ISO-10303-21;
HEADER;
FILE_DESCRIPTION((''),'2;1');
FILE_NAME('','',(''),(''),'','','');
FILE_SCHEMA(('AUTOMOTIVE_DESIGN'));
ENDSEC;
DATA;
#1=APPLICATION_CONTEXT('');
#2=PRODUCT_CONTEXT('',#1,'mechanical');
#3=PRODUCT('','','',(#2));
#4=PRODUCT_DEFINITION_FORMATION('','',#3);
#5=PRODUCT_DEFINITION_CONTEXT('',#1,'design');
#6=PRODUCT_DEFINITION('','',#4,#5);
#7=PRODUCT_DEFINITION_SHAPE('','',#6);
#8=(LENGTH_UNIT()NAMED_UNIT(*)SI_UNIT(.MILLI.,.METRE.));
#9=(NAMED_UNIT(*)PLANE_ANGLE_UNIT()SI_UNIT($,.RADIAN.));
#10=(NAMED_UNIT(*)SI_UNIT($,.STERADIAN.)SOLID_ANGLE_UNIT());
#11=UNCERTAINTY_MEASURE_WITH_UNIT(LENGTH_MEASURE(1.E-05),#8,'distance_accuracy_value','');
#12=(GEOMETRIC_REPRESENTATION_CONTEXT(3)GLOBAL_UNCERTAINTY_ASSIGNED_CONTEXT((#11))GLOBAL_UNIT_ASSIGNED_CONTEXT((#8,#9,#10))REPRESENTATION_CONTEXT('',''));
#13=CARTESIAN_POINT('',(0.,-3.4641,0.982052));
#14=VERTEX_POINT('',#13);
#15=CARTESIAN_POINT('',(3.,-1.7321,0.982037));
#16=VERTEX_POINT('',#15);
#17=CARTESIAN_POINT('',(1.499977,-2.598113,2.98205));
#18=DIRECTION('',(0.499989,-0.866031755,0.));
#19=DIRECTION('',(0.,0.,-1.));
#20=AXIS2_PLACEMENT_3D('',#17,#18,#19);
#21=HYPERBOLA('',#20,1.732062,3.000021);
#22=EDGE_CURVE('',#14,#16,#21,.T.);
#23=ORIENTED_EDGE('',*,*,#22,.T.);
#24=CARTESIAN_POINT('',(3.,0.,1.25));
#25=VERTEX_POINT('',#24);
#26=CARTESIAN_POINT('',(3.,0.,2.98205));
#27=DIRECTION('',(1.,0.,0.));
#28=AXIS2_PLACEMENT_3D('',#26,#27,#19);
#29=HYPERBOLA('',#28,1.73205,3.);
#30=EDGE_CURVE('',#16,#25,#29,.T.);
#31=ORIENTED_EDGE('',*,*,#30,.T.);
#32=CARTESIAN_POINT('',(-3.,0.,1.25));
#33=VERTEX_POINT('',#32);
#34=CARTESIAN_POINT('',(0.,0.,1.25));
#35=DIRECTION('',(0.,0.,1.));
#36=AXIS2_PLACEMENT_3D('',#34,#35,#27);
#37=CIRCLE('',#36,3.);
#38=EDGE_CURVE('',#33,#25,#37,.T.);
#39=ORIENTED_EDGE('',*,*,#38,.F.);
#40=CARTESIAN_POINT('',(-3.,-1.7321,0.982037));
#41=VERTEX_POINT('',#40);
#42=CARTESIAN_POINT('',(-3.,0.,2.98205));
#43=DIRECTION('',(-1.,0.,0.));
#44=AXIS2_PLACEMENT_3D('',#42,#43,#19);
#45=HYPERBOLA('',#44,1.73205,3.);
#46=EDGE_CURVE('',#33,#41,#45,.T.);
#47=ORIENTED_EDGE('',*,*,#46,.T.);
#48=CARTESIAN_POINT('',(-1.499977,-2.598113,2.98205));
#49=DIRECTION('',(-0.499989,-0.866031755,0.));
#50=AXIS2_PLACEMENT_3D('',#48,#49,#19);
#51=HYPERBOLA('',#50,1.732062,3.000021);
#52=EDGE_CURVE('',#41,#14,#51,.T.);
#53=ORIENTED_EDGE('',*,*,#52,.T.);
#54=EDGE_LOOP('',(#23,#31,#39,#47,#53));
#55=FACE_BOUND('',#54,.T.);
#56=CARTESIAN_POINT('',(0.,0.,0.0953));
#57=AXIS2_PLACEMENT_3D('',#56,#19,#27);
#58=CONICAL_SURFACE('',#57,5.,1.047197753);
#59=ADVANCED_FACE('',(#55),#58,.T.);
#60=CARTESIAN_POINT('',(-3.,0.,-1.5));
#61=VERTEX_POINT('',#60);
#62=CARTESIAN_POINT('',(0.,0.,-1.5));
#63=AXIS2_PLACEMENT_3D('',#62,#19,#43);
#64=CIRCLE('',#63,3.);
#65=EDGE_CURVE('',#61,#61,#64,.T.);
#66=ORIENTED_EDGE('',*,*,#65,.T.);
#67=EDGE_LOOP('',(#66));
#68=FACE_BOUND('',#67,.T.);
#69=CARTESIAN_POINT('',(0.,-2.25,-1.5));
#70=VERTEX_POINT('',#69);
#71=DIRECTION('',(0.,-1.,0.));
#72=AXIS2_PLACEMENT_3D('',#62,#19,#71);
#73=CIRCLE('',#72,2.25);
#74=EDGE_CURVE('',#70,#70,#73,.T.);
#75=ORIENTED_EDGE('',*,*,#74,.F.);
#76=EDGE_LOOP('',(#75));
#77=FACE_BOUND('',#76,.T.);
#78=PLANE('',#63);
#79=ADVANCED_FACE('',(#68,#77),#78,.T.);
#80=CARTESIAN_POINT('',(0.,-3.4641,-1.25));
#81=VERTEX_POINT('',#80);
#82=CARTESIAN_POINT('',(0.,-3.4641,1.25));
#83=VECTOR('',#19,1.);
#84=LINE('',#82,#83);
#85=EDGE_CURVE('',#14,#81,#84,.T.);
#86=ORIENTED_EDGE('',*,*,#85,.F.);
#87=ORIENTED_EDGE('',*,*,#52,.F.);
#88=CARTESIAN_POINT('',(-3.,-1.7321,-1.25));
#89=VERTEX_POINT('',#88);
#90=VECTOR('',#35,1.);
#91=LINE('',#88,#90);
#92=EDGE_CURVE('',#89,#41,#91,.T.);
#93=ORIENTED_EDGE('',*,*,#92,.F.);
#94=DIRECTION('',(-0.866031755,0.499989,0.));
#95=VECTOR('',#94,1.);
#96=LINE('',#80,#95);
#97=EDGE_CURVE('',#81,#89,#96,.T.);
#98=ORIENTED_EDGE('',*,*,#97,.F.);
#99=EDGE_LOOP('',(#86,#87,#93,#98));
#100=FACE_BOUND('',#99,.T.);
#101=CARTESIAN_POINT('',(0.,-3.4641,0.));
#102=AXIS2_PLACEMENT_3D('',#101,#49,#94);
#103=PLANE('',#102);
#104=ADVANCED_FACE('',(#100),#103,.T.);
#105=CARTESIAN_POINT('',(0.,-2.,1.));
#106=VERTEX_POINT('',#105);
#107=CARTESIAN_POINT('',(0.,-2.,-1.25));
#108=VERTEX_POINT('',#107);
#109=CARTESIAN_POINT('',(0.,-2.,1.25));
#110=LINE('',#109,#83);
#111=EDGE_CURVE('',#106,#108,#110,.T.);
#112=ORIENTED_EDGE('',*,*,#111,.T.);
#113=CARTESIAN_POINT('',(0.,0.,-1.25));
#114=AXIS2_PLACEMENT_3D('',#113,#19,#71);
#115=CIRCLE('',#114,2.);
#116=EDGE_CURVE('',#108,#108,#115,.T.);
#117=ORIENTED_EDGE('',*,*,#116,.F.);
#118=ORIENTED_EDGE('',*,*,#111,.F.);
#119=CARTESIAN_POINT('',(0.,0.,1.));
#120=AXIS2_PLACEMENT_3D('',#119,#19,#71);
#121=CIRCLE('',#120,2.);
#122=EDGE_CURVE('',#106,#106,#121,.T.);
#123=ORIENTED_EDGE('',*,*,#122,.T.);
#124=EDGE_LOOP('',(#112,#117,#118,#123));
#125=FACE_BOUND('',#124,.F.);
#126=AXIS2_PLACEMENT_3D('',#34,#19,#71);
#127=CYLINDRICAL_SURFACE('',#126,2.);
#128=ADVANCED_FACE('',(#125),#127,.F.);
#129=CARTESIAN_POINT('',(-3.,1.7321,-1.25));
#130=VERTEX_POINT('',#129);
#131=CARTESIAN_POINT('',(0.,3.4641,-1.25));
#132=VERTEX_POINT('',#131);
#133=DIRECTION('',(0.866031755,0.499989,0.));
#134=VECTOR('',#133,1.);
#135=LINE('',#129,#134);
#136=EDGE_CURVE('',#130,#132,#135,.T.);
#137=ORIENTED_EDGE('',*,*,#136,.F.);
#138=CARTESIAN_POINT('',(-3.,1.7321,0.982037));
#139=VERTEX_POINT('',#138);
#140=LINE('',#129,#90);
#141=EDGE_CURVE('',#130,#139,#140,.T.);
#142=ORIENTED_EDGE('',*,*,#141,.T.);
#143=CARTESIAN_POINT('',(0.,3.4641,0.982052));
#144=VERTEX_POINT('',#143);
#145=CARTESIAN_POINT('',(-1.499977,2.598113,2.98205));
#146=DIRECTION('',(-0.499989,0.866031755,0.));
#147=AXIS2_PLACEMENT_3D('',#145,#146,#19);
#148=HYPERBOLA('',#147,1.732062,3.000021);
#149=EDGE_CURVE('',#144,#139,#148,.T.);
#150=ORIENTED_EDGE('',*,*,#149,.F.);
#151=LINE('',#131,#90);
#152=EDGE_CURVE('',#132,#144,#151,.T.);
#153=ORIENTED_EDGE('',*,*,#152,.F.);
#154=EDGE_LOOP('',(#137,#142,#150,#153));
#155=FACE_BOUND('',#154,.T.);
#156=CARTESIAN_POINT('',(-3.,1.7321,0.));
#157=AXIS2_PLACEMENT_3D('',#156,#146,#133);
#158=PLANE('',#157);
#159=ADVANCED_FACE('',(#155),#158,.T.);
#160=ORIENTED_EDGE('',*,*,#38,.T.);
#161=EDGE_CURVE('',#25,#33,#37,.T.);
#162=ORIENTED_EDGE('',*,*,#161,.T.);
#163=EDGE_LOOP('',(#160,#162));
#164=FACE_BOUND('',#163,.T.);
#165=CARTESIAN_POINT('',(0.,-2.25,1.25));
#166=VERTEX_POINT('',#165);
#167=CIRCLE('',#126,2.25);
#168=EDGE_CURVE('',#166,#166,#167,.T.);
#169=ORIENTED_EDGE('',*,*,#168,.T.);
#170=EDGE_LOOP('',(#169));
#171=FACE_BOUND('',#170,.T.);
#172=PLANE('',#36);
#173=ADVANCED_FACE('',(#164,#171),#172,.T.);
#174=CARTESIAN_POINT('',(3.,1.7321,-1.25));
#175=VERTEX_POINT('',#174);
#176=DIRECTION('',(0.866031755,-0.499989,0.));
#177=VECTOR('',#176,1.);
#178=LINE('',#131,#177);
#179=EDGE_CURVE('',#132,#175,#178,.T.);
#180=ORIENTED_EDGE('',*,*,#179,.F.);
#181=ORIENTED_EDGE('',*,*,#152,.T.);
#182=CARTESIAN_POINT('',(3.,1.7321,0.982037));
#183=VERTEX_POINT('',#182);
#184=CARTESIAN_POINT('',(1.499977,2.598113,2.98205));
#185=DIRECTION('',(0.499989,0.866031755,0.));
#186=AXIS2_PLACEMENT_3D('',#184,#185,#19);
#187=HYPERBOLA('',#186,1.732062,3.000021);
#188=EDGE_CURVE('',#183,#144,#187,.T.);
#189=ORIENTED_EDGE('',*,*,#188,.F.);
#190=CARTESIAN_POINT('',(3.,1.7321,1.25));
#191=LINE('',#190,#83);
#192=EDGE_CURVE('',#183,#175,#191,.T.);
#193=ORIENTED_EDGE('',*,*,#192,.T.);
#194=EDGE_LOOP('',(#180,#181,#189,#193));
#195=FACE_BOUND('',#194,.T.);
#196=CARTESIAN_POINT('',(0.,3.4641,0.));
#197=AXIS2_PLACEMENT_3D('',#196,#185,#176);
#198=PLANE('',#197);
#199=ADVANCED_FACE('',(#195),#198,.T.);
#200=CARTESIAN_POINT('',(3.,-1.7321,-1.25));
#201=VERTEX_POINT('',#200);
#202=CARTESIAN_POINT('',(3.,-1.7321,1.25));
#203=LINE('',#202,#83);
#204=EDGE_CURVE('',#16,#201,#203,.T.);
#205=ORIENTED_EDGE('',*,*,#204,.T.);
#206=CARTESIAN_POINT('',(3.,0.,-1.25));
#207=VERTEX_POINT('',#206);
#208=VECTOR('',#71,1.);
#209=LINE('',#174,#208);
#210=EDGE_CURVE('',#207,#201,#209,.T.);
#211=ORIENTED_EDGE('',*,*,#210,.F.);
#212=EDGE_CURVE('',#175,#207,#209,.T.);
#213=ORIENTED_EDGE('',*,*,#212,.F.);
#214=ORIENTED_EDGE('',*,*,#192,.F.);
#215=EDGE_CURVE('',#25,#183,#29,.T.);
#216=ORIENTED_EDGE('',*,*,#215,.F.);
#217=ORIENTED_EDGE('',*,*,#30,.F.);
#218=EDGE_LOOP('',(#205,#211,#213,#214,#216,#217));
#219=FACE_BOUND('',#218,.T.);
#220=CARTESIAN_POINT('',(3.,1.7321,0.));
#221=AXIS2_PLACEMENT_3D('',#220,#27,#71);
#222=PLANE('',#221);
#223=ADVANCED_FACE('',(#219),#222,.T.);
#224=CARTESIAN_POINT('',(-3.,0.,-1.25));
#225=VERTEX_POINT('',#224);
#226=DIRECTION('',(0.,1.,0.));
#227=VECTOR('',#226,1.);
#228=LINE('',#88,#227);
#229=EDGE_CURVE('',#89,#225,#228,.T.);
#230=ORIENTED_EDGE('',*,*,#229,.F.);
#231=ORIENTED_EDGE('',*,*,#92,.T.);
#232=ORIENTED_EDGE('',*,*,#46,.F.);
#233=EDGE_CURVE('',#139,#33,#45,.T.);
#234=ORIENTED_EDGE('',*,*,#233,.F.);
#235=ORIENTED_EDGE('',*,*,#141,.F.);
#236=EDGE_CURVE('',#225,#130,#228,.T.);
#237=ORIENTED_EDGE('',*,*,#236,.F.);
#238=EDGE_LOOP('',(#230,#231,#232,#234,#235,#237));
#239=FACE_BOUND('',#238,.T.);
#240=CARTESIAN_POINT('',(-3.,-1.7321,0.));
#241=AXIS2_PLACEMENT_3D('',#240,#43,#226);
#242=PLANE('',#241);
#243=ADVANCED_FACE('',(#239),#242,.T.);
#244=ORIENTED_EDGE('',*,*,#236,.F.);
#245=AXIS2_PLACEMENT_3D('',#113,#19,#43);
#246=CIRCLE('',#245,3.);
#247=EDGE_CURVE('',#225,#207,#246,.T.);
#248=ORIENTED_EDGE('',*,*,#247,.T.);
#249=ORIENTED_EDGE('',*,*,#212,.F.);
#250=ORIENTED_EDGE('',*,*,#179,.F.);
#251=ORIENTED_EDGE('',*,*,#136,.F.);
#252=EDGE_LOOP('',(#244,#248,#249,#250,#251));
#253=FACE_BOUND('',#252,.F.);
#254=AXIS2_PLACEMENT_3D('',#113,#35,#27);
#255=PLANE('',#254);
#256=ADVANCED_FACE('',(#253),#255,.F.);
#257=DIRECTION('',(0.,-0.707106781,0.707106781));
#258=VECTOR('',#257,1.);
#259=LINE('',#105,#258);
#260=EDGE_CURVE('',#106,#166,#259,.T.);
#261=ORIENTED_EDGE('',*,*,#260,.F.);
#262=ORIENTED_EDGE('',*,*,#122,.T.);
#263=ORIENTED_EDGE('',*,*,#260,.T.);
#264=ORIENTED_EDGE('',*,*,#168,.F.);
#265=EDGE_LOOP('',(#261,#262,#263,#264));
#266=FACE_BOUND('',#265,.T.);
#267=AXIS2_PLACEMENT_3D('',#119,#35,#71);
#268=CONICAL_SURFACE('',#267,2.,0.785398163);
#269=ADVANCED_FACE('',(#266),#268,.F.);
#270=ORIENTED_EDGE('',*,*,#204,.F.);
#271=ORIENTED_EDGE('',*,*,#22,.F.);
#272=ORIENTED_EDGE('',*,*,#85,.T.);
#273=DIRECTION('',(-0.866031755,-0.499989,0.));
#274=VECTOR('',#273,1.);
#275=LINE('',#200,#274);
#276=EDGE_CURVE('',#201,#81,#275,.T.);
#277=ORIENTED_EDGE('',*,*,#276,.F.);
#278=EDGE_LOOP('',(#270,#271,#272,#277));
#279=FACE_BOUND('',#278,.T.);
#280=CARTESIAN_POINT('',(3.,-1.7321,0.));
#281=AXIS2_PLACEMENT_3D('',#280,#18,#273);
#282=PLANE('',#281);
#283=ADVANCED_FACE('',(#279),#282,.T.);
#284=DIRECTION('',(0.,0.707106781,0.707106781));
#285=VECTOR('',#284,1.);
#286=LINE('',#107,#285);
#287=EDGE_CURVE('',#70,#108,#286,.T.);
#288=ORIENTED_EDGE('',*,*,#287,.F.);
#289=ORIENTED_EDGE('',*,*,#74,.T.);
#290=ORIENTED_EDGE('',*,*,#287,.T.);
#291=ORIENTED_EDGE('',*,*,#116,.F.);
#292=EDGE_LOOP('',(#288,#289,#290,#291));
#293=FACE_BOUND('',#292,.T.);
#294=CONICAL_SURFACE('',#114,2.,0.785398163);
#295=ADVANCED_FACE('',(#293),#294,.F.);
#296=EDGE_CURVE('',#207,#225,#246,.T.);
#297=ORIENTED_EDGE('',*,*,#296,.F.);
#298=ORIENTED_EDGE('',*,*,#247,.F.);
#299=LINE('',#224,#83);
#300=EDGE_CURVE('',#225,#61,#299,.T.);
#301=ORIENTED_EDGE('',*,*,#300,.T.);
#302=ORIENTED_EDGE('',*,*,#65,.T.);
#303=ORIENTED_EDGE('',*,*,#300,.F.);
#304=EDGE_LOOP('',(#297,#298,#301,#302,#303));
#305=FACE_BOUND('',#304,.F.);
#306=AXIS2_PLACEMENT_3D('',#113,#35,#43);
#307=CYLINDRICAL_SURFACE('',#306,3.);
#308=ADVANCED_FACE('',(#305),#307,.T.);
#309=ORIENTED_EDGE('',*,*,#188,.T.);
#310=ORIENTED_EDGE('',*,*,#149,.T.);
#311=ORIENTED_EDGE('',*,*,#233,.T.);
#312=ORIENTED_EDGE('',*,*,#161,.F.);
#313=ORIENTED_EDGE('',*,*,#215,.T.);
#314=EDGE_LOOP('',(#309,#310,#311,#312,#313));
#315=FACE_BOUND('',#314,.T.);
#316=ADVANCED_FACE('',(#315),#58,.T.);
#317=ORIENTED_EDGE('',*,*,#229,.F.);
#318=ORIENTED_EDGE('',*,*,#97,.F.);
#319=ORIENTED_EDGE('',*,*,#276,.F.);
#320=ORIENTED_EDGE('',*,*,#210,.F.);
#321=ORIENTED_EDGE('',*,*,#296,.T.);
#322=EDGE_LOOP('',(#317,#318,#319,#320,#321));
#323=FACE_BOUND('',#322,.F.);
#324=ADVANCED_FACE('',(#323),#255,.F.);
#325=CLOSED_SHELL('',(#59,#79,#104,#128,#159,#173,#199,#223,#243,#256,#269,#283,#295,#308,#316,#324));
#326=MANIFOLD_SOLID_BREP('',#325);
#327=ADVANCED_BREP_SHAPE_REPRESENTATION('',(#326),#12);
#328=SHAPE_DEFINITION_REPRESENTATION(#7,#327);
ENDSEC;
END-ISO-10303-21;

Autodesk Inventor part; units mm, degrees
ref_plane "YZ Plane" through (0, 0, 0) normal (1, 0, 0) x (0, 1, 0)
ref_plane "XZ Plane" through (0, 0, 0) normal (0, 1, 0) x (-1, 0, 0)
ref_plane "XY Plane" through (0, 0, 0) normal (0, 0, 1) x (1, 0, 0)
sketch "Sketch1" plane through (0, 0, 0) normal (0, 0, 1) x (1, 0, 0)
  line L0 (0, 3.4641) -> (3, 1.7321)
  line L1 (3, 1.7321) -> (3, -1.7321)
  line L2 (3, -1.7321) -> (0, -3.4641)
  line L3 (0, -3.4641) -> (-3, -1.7321)
  line L4 (-3, -1.7321) -> (-3, 1.7321)
  line L5 (-3, 1.7321) -> (0, 3.4641)
  circle A0 centre (0, 0) radius 2 construction
  dimension "Diameter" = 4
  dimension "Width_Across_Flats" = 6
extrude "Extrusion1" add sketch "Sketch1" along normal mid plane 2.5
sketch "Sketch2" plane through (0, 0, 0) normal (0, 1, 0) x (-1, 0, 0)
  line L0 (-3, 1.25) -> (-3, -1.25) construction
  line L1 (0, 0) -> (0, 4.375)
  line L2 (-3, 1.25) -> (-5, 1.25)
  line L3 (-5, 1.25) -> (-5, 0.0953)
  line L4 (-5, 0.0953) -> (-3, 1.25)
  dimension "Chamfer_Angle" = 30
  dimension "Chamfer_Size" = 2
revolve "Revolution1" cut sketch "Sketch2" angle 360 about axis through (0, 0, 0) along (0, 0, 1)
sketch "Sketch3" plane through (0, 0, -1.25) normal (0, 0, -1) x (-1, 0, 0)
  line L0 (3, -1.7321) -> (0, -3.4641) construction
  circle A0 centre (0, 0) radius 3
extrude "Extrusion2" add sketch "Sketch3" along normal blind 0.25
hole "Hole1" at (0, 0, 1.25) direction (0, 0, -1) diameter 4 end through all
thread "Thread1" size "M4x0.7" class "6H" standard "ANSI Metric M Profile" full length
chamfer "Chamfer1" distance 0.25 angle 45 2 edges at (0, 2, 1.25) (0, 2, -1.5)
equation "\"Width_Across_Flats\" = 1.5 * Diameter"
equation "\"Thickness\" = 0.625 * Diameter"
equation "\"Chamfer_Size\" = 0.5 * Diameter"
equation "\"Hole_Diameter\" = Diameter"
properties part number "Hex Jam Nut with Washer Face"
